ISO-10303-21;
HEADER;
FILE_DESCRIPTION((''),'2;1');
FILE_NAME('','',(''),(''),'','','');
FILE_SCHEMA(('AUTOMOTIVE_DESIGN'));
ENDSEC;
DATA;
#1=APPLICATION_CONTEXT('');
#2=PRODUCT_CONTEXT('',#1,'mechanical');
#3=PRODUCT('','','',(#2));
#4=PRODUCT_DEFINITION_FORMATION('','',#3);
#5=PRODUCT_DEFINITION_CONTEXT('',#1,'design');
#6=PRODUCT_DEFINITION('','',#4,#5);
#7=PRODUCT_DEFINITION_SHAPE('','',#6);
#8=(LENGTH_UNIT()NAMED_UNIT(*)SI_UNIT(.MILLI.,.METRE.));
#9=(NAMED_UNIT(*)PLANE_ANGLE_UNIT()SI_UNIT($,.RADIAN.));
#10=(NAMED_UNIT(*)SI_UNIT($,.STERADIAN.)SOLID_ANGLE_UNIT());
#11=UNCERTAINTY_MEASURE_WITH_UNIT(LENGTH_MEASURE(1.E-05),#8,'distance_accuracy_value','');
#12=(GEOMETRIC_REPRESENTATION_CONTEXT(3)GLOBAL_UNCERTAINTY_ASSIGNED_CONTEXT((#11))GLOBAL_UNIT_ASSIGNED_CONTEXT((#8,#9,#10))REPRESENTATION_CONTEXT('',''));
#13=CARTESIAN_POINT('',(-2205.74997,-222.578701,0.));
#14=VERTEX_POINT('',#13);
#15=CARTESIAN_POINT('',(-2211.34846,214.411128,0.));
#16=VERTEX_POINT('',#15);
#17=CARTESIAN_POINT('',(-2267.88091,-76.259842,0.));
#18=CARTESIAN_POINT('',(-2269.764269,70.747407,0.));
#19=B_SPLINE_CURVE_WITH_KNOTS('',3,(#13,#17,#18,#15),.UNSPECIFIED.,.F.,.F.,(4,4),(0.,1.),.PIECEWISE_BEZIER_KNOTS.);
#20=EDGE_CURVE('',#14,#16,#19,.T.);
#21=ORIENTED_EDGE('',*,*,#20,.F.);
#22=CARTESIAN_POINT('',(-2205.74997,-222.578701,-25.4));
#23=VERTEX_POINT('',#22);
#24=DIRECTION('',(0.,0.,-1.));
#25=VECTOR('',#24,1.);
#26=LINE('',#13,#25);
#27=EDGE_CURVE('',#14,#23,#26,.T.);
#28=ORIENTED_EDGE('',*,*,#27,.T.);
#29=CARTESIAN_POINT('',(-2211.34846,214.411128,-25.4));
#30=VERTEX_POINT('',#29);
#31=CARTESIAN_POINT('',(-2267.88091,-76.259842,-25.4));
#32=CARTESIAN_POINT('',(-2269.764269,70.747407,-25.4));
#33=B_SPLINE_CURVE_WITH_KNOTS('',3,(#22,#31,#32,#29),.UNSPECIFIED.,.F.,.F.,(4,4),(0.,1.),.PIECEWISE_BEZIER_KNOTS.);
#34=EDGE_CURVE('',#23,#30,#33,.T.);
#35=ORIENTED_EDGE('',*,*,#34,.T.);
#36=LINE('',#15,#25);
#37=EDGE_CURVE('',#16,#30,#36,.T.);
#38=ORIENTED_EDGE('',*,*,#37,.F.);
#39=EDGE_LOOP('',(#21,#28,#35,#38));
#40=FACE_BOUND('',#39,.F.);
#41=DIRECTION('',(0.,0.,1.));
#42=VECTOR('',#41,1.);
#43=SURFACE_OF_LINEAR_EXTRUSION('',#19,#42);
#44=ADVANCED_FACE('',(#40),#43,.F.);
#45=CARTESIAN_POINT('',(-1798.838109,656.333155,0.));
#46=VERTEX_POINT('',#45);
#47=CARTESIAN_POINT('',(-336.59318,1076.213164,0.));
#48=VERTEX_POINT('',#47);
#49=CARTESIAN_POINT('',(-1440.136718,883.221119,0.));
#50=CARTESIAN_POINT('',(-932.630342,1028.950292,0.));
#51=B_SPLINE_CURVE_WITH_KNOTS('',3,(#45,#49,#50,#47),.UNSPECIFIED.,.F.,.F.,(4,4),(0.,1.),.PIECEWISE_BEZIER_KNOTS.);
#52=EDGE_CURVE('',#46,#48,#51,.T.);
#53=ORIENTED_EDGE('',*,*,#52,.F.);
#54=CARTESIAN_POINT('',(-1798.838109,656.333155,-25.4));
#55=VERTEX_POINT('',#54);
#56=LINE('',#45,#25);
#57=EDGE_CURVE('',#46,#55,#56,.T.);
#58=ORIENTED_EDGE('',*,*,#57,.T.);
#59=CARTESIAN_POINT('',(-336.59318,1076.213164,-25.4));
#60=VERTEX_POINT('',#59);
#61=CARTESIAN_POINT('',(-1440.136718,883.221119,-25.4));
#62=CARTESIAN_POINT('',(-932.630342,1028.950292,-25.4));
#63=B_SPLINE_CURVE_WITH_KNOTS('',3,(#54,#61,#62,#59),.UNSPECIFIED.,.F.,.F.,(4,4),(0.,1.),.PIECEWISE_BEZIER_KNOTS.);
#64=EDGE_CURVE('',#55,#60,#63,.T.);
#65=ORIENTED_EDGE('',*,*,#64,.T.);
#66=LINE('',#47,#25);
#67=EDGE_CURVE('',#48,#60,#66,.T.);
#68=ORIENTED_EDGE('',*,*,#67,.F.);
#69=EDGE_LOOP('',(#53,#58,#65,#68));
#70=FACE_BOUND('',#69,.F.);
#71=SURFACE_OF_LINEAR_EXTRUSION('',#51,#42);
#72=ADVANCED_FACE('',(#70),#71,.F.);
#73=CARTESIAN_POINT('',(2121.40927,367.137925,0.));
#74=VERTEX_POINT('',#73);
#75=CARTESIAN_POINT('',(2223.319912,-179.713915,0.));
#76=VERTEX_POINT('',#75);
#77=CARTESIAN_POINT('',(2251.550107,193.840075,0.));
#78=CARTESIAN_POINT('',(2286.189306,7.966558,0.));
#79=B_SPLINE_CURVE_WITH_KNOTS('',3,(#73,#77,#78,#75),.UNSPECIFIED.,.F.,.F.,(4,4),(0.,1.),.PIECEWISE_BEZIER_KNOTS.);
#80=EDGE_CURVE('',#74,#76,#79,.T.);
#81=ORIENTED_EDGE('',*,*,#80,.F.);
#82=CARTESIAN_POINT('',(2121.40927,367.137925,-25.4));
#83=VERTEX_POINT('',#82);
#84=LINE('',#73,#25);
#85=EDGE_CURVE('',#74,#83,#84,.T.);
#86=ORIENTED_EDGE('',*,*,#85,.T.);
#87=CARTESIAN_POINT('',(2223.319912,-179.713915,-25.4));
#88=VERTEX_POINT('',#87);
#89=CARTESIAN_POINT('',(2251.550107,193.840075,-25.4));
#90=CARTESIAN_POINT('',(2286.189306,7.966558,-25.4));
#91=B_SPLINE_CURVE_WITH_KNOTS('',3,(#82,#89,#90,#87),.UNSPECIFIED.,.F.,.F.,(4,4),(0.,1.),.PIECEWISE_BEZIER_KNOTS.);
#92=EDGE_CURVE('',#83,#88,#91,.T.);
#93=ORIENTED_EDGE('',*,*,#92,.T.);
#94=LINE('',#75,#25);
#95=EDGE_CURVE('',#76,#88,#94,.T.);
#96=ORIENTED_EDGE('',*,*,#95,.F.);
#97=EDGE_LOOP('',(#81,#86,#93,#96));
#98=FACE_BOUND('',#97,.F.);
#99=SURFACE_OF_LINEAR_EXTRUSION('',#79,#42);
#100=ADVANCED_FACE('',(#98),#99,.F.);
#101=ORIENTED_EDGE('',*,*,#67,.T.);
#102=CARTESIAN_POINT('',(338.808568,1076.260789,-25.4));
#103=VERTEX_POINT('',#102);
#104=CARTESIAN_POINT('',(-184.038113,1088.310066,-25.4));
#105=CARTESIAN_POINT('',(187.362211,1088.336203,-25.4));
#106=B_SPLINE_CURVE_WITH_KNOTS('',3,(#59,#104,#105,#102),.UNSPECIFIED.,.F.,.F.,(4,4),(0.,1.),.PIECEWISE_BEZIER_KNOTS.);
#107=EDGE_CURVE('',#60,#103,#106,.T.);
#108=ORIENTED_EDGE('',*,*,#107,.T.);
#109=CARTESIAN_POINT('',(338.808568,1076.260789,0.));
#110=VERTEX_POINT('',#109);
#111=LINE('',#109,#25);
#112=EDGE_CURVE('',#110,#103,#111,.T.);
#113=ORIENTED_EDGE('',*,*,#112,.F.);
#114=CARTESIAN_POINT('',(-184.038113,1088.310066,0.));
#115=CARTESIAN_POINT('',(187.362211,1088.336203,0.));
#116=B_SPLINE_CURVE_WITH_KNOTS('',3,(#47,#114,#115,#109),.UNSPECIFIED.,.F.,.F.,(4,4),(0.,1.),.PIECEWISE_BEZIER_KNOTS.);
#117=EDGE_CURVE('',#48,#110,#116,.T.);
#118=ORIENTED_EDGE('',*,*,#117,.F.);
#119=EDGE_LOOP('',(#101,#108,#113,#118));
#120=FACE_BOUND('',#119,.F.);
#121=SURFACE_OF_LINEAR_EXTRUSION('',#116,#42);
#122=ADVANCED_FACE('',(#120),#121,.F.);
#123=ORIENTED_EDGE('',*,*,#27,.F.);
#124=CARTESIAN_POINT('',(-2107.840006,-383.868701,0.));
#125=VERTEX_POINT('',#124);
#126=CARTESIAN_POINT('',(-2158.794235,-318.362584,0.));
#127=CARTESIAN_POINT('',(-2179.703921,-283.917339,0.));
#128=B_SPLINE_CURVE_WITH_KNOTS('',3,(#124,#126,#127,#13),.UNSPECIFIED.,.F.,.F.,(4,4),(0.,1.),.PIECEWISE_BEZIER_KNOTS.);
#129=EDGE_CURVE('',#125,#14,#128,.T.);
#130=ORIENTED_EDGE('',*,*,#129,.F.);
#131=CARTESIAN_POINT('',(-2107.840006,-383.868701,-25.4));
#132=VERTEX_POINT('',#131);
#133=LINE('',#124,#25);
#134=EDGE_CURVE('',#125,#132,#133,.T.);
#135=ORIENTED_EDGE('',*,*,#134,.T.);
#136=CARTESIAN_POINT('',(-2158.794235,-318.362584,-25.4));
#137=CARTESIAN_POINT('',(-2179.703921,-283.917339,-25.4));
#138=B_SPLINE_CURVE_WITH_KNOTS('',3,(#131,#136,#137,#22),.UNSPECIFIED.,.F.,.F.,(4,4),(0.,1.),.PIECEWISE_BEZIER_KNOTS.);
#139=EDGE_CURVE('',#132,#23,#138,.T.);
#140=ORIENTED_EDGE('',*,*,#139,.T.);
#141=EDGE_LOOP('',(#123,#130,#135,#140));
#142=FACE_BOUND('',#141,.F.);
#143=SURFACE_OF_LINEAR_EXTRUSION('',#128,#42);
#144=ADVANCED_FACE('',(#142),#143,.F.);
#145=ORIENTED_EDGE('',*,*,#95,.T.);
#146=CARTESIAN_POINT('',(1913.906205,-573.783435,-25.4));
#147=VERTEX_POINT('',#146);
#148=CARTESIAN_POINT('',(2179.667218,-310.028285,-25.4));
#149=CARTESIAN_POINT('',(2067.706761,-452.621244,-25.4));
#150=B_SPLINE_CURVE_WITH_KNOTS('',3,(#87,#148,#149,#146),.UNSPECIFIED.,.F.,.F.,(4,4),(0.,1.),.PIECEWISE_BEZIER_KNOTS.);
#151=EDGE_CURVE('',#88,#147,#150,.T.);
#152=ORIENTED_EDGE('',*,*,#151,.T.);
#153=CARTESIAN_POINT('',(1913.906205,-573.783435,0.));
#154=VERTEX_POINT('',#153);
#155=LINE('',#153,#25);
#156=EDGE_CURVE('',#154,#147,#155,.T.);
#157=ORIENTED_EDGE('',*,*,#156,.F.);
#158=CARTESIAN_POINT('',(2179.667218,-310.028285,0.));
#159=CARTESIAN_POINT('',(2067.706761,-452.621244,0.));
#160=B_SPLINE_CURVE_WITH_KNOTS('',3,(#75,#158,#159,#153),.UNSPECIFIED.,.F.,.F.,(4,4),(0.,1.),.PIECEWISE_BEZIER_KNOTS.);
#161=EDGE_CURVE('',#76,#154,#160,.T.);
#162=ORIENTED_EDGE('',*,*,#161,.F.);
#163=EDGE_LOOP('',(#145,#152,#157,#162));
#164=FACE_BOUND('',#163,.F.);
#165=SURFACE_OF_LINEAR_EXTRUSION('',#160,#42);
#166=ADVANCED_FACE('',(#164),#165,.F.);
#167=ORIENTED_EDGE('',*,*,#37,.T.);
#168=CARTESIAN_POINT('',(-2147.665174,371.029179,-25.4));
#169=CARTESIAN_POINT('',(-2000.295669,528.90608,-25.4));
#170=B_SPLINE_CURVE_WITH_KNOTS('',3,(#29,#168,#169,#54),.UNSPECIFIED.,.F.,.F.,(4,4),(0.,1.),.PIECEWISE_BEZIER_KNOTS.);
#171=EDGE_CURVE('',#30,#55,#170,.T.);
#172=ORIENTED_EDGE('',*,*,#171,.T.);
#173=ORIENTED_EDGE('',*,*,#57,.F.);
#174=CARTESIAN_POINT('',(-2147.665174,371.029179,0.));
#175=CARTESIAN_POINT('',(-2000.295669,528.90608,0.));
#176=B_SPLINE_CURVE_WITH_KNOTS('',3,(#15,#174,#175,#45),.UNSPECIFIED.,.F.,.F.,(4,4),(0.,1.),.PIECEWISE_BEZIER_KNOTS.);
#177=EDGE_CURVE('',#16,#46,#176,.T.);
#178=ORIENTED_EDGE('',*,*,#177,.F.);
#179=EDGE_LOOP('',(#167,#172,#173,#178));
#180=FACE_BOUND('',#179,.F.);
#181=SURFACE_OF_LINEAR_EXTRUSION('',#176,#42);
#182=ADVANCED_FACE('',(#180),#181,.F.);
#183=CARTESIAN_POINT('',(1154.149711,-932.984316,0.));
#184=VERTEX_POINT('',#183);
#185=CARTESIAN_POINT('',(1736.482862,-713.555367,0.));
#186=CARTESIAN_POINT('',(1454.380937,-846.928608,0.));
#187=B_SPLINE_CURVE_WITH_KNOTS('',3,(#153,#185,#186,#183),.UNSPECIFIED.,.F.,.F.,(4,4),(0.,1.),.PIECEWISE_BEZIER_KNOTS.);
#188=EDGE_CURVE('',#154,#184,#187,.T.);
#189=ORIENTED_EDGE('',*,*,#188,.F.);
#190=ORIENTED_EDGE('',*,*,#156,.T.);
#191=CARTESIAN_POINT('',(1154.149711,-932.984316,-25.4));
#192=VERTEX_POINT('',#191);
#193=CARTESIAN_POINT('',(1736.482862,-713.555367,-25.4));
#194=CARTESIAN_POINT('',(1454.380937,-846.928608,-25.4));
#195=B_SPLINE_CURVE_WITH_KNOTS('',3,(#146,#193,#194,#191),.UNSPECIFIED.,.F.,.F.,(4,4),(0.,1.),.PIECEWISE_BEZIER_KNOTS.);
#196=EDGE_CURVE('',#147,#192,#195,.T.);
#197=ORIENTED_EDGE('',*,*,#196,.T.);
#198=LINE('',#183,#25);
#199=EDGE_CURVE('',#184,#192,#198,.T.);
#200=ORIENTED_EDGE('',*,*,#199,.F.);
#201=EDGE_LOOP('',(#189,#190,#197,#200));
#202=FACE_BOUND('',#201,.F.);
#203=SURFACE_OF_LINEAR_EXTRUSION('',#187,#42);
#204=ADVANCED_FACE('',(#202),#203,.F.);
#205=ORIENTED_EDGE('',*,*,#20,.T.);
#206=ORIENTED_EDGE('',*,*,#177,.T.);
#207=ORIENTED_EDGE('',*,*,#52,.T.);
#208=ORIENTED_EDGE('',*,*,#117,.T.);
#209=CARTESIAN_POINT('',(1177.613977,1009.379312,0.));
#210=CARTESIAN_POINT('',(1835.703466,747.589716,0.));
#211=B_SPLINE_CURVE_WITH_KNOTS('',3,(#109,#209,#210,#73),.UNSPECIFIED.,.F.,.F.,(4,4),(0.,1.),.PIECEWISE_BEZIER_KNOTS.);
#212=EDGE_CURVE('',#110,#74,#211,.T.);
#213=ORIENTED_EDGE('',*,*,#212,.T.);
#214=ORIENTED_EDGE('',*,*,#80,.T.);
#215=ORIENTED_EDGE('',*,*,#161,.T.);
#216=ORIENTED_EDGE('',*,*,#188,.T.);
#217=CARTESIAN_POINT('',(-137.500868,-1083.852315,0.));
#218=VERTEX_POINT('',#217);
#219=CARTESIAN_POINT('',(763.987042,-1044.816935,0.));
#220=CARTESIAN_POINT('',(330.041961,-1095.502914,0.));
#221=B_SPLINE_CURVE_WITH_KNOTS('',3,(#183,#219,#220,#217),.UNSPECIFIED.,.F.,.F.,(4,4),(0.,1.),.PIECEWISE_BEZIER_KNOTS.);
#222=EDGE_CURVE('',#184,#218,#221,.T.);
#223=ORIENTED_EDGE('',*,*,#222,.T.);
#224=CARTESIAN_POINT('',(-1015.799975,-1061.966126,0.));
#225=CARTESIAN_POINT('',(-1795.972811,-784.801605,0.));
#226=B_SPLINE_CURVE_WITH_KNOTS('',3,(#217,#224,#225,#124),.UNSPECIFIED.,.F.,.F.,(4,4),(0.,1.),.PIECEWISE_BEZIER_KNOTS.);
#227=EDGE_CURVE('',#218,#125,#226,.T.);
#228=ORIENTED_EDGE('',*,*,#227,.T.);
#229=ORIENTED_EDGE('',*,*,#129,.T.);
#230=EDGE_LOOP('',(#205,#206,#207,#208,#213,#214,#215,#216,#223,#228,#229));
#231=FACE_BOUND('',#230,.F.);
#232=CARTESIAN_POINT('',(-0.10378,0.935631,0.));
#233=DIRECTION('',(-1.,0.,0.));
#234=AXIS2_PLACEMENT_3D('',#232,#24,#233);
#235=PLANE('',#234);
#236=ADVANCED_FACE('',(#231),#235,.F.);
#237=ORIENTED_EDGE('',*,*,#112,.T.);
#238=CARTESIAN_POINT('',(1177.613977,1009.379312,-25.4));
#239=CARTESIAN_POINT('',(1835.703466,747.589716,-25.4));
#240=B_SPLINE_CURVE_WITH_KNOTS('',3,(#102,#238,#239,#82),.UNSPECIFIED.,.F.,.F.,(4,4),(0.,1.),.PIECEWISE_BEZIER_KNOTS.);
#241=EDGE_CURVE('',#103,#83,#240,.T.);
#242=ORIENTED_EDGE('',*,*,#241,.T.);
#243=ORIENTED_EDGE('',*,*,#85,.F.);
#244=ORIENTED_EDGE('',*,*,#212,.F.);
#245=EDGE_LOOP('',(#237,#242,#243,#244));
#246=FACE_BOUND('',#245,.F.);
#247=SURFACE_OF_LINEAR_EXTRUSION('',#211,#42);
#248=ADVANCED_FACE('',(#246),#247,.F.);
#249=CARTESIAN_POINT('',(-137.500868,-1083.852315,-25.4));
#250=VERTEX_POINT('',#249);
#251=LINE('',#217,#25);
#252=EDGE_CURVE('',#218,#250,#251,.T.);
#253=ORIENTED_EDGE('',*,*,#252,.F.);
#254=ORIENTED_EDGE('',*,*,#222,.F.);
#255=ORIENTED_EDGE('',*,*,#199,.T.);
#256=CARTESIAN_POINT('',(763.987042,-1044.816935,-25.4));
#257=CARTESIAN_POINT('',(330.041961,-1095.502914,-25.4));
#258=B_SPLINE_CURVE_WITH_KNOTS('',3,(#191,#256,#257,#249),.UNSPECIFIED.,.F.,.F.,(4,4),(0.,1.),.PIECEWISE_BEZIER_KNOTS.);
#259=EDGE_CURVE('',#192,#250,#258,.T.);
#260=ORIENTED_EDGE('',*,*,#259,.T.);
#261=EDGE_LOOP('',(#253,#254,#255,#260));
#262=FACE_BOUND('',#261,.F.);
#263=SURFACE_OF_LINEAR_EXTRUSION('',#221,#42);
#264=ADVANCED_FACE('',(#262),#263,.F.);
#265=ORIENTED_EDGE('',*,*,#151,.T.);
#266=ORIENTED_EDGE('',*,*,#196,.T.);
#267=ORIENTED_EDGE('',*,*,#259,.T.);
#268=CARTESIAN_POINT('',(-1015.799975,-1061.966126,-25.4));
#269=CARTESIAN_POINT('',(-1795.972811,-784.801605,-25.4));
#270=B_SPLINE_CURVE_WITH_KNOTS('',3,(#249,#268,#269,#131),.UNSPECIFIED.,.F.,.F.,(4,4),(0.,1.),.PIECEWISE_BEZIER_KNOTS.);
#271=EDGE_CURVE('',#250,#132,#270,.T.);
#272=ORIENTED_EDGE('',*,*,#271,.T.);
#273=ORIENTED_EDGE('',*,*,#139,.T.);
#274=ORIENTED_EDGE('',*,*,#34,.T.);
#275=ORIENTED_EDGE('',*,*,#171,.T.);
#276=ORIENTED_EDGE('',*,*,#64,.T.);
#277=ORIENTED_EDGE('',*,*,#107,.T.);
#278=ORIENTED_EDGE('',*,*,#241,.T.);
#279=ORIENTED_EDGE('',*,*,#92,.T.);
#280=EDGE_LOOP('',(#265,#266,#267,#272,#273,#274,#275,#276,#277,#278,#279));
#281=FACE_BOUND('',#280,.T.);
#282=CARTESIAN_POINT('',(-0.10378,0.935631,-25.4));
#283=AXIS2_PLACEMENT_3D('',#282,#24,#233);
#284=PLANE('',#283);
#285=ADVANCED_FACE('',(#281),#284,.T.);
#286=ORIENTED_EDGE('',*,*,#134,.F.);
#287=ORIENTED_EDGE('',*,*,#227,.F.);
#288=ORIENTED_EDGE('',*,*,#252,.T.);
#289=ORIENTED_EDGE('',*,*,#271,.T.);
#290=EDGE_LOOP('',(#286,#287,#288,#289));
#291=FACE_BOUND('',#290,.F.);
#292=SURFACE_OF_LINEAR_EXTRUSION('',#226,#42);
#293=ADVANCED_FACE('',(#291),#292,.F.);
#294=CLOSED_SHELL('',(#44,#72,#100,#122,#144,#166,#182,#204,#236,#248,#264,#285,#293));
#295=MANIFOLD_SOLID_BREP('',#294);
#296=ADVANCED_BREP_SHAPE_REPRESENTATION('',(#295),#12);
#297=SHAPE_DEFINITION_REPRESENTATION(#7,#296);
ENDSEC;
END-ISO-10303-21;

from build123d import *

# Parameters (mm, degrees)
F2_DEPTH = 25.4


with BuildPart() as f2:
    # F1 (on Top) → F2 (new body)
    with BuildSketch(Plane.XY):
        with BuildLine():
            add(Edge.make_bspline(
                [(338.808568, 1076.2607888), (1177.613977, 1009.3793122), (1835.703466, 747.5897164), (2121.40927, 367.1379246)],
                knots=[0, 0, 0, 0, 1, 1, 1, 1], degree=3))
            add(Edge.make_bspline(
                [(-336.59318, 1076.2131638), (-184.038113, 1088.3100662), (187.362211, 1088.3362028), (338.808568, 1076.2607888)],
                knots=[0, 0, 0, 0, 1, 1, 1, 1], degree=3))
            add(Edge.make_bspline(
                [(-1798.8381092, 656.3331552), (-1440.1367184, 883.221119), (-932.630342, 1028.9502916), (-336.59318, 1076.2131638)],
                knots=[0, 0, 0, 0, 1, 1, 1, 1], degree=3))
            add(Edge.make_bspline(
                [(-2211.3484602, 214.4111282), (-2147.6651738, 371.0291792), (-2000.2956692, 528.9060796), (-1798.8381092, 656.3331552)],
                knots=[0, 0, 0, 0, 1, 1, 1, 1], degree=3))
            add(Edge.make_bspline(
                [(-2205.74997, -222.5787014), (-2267.88091, -76.2598424), (-2269.7642692, 70.7474074), (-2211.3484602, 214.4111282)],
                knots=[0, 0, 0, 0, 1, 1, 1, 1], degree=3))
            add(Edge.make_bspline(
                [(-2107.8400058, -383.8687014), (-2158.7942346, -318.362584), (-2179.703921, -283.9173392), (-2205.74997, -222.5787014)],
                knots=[0, 0, 0, 0, 1, 1, 1, 1], degree=3))
            add(Edge.make_bspline(
                [(-137.500868, -1083.8523154), (-1015.799975, -1061.966126), (-1795.9728114, -784.8016054), (-2107.8400058, -383.8687014)],
                knots=[0, 0, 0, 0, 1, 1, 1, 1], degree=3))
            add(Edge.make_bspline(
                [(1154.149711, -932.9843164), (763.987042, -1044.816935), (330.0419612, -1095.5029144), (-137.500868, -1083.8523154)],
                knots=[0, 0, 0, 0, 1, 1, 1, 1], degree=3))
            add(Edge.make_bspline(
                [(1913.9062052, -573.7834346), (1736.4828618, -713.5553674), (1454.3809368, -846.9286084), (1154.149711, -932.9843164)],
                knots=[0, 0, 0, 0, 1, 1, 1, 1], degree=3))
            add(Edge.make_bspline(
                [(2223.319912, -179.7139154), (2179.667218, -310.0282852), (2067.7067612, -452.6212436), (1913.9062052, -573.7834346)],
                knots=[0, 0, 0, 0, 1, 1, 1, 1], degree=3))
            add(Edge.make_bspline(
                [(2121.40927, 367.1379246), (2251.550107, 193.8400746), (2286.1893062, 7.9665576), (2223.319912, -179.7139154)],
                knots=[0, 0, 0, 0, 1, 1, 1, 1], degree=3))
        make_face()
    extrude(amount=-F2_DEPTH)


solid = f2.part
